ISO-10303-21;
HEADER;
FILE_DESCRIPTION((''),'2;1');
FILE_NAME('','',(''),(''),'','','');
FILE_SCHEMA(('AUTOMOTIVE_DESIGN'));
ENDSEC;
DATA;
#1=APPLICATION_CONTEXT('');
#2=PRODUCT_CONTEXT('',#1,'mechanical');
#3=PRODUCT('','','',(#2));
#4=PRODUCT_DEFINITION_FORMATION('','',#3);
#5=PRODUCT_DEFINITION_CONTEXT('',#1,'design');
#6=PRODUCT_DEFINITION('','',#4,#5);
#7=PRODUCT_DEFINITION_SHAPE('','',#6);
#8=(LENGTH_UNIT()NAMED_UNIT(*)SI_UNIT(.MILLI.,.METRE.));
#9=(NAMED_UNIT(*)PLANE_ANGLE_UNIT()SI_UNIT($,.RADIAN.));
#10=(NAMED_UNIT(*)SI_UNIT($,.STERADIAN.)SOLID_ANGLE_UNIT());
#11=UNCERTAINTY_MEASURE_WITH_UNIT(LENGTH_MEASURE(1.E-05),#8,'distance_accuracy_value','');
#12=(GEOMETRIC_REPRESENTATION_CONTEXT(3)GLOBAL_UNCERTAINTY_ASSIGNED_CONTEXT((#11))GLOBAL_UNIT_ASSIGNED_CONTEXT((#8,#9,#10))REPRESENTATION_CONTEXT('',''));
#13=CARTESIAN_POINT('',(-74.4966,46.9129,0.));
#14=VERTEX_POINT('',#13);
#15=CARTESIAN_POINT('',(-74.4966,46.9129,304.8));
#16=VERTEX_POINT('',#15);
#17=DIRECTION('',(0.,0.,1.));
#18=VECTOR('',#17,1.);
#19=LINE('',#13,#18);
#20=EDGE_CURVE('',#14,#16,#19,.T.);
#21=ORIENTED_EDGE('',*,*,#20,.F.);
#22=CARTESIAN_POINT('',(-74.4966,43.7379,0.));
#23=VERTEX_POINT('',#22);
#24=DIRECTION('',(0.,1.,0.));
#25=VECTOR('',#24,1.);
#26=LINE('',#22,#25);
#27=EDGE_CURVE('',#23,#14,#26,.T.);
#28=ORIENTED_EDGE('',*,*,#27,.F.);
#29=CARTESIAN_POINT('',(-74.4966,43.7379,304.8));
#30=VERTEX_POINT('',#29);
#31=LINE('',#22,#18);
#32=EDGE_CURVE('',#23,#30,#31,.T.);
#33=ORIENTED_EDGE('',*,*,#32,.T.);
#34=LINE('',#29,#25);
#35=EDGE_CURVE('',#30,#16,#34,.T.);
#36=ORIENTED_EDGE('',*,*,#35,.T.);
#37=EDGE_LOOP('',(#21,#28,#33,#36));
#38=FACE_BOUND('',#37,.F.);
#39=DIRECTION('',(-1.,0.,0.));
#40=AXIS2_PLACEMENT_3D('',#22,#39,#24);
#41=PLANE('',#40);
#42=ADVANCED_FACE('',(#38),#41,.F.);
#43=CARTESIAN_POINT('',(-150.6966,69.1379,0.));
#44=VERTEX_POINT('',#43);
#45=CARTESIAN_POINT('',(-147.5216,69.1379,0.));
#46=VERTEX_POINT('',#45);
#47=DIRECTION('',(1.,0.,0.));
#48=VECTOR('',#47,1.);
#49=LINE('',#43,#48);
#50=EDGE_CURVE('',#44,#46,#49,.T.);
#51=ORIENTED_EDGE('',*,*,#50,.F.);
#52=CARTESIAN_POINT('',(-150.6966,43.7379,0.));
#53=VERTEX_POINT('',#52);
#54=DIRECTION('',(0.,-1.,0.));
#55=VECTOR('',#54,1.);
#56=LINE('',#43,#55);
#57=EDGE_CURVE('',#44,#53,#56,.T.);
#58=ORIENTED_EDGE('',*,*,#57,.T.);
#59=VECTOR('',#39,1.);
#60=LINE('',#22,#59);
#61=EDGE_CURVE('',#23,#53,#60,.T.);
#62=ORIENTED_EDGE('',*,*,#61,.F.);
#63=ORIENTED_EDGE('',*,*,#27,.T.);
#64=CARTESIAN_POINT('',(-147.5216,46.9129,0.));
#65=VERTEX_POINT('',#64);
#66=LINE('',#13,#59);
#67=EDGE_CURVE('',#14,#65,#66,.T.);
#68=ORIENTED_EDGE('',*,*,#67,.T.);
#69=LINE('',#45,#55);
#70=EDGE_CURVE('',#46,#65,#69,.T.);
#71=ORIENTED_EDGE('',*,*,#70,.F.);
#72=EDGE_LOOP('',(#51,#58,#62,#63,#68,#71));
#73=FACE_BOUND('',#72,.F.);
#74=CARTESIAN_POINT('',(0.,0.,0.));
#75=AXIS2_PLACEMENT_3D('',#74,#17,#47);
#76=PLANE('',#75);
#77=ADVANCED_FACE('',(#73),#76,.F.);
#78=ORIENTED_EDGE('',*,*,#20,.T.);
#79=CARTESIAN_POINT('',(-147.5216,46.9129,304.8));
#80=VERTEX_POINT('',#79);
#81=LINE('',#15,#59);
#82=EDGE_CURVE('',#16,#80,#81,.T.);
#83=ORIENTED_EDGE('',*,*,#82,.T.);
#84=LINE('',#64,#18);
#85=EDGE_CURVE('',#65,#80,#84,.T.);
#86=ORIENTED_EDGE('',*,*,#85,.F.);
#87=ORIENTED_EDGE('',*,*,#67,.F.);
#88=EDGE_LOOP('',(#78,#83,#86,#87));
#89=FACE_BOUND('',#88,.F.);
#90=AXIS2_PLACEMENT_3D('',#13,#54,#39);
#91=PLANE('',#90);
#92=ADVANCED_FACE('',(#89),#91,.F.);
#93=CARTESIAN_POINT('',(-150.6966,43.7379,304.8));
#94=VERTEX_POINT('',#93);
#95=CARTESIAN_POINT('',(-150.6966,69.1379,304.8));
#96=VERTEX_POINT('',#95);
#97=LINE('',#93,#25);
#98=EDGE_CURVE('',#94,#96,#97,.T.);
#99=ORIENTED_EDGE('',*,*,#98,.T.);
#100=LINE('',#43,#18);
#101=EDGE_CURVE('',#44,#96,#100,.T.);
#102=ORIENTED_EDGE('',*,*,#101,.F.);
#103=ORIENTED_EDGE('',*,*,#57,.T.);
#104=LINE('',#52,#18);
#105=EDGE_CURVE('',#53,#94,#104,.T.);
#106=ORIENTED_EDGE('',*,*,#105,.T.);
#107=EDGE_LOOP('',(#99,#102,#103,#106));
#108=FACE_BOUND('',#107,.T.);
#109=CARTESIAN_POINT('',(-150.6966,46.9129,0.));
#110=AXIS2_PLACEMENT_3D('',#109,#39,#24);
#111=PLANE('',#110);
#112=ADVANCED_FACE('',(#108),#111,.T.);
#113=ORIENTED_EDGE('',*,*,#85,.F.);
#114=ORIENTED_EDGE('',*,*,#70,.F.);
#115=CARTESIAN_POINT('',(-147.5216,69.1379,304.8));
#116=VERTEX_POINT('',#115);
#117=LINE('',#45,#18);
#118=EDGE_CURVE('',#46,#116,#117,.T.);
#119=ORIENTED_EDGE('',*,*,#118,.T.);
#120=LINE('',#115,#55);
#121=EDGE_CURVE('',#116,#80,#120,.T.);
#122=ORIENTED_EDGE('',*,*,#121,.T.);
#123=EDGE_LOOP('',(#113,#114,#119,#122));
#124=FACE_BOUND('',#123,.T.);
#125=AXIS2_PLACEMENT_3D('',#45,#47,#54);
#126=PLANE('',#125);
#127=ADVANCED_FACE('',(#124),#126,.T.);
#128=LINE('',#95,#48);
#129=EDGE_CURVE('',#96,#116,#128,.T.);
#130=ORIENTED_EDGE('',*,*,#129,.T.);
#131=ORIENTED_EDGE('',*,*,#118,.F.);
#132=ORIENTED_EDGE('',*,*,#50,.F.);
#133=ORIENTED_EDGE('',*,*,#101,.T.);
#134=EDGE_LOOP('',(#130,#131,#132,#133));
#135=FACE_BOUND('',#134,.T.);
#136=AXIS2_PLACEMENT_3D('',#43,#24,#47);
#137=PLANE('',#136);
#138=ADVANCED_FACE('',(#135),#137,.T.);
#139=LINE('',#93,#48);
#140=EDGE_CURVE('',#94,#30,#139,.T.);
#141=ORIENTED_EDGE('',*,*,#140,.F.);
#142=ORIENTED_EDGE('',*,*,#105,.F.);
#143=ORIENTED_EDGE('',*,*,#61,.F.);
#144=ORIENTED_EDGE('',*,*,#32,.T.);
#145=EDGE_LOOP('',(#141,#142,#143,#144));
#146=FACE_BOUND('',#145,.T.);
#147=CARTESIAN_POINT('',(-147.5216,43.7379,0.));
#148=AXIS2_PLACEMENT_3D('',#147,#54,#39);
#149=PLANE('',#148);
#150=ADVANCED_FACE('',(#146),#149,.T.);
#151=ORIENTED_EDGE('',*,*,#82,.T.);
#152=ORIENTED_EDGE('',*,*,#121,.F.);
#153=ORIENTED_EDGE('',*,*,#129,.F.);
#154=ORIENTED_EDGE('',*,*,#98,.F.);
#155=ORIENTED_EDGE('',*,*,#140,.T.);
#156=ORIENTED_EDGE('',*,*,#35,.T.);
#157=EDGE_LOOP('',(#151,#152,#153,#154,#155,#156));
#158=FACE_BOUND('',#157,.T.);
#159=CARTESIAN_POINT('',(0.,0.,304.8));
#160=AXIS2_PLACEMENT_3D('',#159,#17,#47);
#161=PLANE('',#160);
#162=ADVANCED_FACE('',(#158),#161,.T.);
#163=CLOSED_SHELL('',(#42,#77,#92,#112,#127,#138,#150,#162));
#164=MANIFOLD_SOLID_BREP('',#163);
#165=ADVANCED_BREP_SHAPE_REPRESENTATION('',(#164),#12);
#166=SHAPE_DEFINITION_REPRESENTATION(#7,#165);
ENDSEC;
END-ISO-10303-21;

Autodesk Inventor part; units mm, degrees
ref_plane "YZ Plane" through (0, 0, 0) normal (1, 0, 0) x (0, 1, 0)
ref_plane "XZ Plane" through (0, 0, 0) normal (0, 1, 0) x (-1, 0, 0)
ref_plane "XY Plane" through (0, 0, 0) normal (0, 0, 1) x (1, 0, 0)
sketch "Sketch1" plane through (0, 0, 0) normal (0, 0, 1) x (1, 0, 0)
  line L0 (-150.6966, 69.1379) -> (-147.5216, 69.1379)
  line L1 (-147.5216, 69.1379) -> (-147.5216, 43.7379)
  line L2 (-147.5216, 43.7379) -> (-150.6966, 43.7379)
  line L3 (-150.6966, 43.7379) -> (-150.6966, 69.1379)
  line L4 (-150.6966, 43.7379) -> (-74.4966, 43.7379)
  line L5 (-74.4966, 43.7379) -> (-74.4966, 46.9129)
  line L6 (-74.4966, 46.9129) -> (-150.6966, 46.9129)
  line L7 (-150.6966, 46.9129) -> (-150.6966, 43.7379)
  point P0 (0, 0)
  point P1 (-147.5216, 46.9129)
  dimension "d0" = 3.175
  dimension "d1" = 25.4
  dimension "d2" = 76.2
  dimension "d3" = 3.175
extrude "Extrusion1" add sketch "Sketch1" along normal blind 304.8
properties part number "shootingGuide"
